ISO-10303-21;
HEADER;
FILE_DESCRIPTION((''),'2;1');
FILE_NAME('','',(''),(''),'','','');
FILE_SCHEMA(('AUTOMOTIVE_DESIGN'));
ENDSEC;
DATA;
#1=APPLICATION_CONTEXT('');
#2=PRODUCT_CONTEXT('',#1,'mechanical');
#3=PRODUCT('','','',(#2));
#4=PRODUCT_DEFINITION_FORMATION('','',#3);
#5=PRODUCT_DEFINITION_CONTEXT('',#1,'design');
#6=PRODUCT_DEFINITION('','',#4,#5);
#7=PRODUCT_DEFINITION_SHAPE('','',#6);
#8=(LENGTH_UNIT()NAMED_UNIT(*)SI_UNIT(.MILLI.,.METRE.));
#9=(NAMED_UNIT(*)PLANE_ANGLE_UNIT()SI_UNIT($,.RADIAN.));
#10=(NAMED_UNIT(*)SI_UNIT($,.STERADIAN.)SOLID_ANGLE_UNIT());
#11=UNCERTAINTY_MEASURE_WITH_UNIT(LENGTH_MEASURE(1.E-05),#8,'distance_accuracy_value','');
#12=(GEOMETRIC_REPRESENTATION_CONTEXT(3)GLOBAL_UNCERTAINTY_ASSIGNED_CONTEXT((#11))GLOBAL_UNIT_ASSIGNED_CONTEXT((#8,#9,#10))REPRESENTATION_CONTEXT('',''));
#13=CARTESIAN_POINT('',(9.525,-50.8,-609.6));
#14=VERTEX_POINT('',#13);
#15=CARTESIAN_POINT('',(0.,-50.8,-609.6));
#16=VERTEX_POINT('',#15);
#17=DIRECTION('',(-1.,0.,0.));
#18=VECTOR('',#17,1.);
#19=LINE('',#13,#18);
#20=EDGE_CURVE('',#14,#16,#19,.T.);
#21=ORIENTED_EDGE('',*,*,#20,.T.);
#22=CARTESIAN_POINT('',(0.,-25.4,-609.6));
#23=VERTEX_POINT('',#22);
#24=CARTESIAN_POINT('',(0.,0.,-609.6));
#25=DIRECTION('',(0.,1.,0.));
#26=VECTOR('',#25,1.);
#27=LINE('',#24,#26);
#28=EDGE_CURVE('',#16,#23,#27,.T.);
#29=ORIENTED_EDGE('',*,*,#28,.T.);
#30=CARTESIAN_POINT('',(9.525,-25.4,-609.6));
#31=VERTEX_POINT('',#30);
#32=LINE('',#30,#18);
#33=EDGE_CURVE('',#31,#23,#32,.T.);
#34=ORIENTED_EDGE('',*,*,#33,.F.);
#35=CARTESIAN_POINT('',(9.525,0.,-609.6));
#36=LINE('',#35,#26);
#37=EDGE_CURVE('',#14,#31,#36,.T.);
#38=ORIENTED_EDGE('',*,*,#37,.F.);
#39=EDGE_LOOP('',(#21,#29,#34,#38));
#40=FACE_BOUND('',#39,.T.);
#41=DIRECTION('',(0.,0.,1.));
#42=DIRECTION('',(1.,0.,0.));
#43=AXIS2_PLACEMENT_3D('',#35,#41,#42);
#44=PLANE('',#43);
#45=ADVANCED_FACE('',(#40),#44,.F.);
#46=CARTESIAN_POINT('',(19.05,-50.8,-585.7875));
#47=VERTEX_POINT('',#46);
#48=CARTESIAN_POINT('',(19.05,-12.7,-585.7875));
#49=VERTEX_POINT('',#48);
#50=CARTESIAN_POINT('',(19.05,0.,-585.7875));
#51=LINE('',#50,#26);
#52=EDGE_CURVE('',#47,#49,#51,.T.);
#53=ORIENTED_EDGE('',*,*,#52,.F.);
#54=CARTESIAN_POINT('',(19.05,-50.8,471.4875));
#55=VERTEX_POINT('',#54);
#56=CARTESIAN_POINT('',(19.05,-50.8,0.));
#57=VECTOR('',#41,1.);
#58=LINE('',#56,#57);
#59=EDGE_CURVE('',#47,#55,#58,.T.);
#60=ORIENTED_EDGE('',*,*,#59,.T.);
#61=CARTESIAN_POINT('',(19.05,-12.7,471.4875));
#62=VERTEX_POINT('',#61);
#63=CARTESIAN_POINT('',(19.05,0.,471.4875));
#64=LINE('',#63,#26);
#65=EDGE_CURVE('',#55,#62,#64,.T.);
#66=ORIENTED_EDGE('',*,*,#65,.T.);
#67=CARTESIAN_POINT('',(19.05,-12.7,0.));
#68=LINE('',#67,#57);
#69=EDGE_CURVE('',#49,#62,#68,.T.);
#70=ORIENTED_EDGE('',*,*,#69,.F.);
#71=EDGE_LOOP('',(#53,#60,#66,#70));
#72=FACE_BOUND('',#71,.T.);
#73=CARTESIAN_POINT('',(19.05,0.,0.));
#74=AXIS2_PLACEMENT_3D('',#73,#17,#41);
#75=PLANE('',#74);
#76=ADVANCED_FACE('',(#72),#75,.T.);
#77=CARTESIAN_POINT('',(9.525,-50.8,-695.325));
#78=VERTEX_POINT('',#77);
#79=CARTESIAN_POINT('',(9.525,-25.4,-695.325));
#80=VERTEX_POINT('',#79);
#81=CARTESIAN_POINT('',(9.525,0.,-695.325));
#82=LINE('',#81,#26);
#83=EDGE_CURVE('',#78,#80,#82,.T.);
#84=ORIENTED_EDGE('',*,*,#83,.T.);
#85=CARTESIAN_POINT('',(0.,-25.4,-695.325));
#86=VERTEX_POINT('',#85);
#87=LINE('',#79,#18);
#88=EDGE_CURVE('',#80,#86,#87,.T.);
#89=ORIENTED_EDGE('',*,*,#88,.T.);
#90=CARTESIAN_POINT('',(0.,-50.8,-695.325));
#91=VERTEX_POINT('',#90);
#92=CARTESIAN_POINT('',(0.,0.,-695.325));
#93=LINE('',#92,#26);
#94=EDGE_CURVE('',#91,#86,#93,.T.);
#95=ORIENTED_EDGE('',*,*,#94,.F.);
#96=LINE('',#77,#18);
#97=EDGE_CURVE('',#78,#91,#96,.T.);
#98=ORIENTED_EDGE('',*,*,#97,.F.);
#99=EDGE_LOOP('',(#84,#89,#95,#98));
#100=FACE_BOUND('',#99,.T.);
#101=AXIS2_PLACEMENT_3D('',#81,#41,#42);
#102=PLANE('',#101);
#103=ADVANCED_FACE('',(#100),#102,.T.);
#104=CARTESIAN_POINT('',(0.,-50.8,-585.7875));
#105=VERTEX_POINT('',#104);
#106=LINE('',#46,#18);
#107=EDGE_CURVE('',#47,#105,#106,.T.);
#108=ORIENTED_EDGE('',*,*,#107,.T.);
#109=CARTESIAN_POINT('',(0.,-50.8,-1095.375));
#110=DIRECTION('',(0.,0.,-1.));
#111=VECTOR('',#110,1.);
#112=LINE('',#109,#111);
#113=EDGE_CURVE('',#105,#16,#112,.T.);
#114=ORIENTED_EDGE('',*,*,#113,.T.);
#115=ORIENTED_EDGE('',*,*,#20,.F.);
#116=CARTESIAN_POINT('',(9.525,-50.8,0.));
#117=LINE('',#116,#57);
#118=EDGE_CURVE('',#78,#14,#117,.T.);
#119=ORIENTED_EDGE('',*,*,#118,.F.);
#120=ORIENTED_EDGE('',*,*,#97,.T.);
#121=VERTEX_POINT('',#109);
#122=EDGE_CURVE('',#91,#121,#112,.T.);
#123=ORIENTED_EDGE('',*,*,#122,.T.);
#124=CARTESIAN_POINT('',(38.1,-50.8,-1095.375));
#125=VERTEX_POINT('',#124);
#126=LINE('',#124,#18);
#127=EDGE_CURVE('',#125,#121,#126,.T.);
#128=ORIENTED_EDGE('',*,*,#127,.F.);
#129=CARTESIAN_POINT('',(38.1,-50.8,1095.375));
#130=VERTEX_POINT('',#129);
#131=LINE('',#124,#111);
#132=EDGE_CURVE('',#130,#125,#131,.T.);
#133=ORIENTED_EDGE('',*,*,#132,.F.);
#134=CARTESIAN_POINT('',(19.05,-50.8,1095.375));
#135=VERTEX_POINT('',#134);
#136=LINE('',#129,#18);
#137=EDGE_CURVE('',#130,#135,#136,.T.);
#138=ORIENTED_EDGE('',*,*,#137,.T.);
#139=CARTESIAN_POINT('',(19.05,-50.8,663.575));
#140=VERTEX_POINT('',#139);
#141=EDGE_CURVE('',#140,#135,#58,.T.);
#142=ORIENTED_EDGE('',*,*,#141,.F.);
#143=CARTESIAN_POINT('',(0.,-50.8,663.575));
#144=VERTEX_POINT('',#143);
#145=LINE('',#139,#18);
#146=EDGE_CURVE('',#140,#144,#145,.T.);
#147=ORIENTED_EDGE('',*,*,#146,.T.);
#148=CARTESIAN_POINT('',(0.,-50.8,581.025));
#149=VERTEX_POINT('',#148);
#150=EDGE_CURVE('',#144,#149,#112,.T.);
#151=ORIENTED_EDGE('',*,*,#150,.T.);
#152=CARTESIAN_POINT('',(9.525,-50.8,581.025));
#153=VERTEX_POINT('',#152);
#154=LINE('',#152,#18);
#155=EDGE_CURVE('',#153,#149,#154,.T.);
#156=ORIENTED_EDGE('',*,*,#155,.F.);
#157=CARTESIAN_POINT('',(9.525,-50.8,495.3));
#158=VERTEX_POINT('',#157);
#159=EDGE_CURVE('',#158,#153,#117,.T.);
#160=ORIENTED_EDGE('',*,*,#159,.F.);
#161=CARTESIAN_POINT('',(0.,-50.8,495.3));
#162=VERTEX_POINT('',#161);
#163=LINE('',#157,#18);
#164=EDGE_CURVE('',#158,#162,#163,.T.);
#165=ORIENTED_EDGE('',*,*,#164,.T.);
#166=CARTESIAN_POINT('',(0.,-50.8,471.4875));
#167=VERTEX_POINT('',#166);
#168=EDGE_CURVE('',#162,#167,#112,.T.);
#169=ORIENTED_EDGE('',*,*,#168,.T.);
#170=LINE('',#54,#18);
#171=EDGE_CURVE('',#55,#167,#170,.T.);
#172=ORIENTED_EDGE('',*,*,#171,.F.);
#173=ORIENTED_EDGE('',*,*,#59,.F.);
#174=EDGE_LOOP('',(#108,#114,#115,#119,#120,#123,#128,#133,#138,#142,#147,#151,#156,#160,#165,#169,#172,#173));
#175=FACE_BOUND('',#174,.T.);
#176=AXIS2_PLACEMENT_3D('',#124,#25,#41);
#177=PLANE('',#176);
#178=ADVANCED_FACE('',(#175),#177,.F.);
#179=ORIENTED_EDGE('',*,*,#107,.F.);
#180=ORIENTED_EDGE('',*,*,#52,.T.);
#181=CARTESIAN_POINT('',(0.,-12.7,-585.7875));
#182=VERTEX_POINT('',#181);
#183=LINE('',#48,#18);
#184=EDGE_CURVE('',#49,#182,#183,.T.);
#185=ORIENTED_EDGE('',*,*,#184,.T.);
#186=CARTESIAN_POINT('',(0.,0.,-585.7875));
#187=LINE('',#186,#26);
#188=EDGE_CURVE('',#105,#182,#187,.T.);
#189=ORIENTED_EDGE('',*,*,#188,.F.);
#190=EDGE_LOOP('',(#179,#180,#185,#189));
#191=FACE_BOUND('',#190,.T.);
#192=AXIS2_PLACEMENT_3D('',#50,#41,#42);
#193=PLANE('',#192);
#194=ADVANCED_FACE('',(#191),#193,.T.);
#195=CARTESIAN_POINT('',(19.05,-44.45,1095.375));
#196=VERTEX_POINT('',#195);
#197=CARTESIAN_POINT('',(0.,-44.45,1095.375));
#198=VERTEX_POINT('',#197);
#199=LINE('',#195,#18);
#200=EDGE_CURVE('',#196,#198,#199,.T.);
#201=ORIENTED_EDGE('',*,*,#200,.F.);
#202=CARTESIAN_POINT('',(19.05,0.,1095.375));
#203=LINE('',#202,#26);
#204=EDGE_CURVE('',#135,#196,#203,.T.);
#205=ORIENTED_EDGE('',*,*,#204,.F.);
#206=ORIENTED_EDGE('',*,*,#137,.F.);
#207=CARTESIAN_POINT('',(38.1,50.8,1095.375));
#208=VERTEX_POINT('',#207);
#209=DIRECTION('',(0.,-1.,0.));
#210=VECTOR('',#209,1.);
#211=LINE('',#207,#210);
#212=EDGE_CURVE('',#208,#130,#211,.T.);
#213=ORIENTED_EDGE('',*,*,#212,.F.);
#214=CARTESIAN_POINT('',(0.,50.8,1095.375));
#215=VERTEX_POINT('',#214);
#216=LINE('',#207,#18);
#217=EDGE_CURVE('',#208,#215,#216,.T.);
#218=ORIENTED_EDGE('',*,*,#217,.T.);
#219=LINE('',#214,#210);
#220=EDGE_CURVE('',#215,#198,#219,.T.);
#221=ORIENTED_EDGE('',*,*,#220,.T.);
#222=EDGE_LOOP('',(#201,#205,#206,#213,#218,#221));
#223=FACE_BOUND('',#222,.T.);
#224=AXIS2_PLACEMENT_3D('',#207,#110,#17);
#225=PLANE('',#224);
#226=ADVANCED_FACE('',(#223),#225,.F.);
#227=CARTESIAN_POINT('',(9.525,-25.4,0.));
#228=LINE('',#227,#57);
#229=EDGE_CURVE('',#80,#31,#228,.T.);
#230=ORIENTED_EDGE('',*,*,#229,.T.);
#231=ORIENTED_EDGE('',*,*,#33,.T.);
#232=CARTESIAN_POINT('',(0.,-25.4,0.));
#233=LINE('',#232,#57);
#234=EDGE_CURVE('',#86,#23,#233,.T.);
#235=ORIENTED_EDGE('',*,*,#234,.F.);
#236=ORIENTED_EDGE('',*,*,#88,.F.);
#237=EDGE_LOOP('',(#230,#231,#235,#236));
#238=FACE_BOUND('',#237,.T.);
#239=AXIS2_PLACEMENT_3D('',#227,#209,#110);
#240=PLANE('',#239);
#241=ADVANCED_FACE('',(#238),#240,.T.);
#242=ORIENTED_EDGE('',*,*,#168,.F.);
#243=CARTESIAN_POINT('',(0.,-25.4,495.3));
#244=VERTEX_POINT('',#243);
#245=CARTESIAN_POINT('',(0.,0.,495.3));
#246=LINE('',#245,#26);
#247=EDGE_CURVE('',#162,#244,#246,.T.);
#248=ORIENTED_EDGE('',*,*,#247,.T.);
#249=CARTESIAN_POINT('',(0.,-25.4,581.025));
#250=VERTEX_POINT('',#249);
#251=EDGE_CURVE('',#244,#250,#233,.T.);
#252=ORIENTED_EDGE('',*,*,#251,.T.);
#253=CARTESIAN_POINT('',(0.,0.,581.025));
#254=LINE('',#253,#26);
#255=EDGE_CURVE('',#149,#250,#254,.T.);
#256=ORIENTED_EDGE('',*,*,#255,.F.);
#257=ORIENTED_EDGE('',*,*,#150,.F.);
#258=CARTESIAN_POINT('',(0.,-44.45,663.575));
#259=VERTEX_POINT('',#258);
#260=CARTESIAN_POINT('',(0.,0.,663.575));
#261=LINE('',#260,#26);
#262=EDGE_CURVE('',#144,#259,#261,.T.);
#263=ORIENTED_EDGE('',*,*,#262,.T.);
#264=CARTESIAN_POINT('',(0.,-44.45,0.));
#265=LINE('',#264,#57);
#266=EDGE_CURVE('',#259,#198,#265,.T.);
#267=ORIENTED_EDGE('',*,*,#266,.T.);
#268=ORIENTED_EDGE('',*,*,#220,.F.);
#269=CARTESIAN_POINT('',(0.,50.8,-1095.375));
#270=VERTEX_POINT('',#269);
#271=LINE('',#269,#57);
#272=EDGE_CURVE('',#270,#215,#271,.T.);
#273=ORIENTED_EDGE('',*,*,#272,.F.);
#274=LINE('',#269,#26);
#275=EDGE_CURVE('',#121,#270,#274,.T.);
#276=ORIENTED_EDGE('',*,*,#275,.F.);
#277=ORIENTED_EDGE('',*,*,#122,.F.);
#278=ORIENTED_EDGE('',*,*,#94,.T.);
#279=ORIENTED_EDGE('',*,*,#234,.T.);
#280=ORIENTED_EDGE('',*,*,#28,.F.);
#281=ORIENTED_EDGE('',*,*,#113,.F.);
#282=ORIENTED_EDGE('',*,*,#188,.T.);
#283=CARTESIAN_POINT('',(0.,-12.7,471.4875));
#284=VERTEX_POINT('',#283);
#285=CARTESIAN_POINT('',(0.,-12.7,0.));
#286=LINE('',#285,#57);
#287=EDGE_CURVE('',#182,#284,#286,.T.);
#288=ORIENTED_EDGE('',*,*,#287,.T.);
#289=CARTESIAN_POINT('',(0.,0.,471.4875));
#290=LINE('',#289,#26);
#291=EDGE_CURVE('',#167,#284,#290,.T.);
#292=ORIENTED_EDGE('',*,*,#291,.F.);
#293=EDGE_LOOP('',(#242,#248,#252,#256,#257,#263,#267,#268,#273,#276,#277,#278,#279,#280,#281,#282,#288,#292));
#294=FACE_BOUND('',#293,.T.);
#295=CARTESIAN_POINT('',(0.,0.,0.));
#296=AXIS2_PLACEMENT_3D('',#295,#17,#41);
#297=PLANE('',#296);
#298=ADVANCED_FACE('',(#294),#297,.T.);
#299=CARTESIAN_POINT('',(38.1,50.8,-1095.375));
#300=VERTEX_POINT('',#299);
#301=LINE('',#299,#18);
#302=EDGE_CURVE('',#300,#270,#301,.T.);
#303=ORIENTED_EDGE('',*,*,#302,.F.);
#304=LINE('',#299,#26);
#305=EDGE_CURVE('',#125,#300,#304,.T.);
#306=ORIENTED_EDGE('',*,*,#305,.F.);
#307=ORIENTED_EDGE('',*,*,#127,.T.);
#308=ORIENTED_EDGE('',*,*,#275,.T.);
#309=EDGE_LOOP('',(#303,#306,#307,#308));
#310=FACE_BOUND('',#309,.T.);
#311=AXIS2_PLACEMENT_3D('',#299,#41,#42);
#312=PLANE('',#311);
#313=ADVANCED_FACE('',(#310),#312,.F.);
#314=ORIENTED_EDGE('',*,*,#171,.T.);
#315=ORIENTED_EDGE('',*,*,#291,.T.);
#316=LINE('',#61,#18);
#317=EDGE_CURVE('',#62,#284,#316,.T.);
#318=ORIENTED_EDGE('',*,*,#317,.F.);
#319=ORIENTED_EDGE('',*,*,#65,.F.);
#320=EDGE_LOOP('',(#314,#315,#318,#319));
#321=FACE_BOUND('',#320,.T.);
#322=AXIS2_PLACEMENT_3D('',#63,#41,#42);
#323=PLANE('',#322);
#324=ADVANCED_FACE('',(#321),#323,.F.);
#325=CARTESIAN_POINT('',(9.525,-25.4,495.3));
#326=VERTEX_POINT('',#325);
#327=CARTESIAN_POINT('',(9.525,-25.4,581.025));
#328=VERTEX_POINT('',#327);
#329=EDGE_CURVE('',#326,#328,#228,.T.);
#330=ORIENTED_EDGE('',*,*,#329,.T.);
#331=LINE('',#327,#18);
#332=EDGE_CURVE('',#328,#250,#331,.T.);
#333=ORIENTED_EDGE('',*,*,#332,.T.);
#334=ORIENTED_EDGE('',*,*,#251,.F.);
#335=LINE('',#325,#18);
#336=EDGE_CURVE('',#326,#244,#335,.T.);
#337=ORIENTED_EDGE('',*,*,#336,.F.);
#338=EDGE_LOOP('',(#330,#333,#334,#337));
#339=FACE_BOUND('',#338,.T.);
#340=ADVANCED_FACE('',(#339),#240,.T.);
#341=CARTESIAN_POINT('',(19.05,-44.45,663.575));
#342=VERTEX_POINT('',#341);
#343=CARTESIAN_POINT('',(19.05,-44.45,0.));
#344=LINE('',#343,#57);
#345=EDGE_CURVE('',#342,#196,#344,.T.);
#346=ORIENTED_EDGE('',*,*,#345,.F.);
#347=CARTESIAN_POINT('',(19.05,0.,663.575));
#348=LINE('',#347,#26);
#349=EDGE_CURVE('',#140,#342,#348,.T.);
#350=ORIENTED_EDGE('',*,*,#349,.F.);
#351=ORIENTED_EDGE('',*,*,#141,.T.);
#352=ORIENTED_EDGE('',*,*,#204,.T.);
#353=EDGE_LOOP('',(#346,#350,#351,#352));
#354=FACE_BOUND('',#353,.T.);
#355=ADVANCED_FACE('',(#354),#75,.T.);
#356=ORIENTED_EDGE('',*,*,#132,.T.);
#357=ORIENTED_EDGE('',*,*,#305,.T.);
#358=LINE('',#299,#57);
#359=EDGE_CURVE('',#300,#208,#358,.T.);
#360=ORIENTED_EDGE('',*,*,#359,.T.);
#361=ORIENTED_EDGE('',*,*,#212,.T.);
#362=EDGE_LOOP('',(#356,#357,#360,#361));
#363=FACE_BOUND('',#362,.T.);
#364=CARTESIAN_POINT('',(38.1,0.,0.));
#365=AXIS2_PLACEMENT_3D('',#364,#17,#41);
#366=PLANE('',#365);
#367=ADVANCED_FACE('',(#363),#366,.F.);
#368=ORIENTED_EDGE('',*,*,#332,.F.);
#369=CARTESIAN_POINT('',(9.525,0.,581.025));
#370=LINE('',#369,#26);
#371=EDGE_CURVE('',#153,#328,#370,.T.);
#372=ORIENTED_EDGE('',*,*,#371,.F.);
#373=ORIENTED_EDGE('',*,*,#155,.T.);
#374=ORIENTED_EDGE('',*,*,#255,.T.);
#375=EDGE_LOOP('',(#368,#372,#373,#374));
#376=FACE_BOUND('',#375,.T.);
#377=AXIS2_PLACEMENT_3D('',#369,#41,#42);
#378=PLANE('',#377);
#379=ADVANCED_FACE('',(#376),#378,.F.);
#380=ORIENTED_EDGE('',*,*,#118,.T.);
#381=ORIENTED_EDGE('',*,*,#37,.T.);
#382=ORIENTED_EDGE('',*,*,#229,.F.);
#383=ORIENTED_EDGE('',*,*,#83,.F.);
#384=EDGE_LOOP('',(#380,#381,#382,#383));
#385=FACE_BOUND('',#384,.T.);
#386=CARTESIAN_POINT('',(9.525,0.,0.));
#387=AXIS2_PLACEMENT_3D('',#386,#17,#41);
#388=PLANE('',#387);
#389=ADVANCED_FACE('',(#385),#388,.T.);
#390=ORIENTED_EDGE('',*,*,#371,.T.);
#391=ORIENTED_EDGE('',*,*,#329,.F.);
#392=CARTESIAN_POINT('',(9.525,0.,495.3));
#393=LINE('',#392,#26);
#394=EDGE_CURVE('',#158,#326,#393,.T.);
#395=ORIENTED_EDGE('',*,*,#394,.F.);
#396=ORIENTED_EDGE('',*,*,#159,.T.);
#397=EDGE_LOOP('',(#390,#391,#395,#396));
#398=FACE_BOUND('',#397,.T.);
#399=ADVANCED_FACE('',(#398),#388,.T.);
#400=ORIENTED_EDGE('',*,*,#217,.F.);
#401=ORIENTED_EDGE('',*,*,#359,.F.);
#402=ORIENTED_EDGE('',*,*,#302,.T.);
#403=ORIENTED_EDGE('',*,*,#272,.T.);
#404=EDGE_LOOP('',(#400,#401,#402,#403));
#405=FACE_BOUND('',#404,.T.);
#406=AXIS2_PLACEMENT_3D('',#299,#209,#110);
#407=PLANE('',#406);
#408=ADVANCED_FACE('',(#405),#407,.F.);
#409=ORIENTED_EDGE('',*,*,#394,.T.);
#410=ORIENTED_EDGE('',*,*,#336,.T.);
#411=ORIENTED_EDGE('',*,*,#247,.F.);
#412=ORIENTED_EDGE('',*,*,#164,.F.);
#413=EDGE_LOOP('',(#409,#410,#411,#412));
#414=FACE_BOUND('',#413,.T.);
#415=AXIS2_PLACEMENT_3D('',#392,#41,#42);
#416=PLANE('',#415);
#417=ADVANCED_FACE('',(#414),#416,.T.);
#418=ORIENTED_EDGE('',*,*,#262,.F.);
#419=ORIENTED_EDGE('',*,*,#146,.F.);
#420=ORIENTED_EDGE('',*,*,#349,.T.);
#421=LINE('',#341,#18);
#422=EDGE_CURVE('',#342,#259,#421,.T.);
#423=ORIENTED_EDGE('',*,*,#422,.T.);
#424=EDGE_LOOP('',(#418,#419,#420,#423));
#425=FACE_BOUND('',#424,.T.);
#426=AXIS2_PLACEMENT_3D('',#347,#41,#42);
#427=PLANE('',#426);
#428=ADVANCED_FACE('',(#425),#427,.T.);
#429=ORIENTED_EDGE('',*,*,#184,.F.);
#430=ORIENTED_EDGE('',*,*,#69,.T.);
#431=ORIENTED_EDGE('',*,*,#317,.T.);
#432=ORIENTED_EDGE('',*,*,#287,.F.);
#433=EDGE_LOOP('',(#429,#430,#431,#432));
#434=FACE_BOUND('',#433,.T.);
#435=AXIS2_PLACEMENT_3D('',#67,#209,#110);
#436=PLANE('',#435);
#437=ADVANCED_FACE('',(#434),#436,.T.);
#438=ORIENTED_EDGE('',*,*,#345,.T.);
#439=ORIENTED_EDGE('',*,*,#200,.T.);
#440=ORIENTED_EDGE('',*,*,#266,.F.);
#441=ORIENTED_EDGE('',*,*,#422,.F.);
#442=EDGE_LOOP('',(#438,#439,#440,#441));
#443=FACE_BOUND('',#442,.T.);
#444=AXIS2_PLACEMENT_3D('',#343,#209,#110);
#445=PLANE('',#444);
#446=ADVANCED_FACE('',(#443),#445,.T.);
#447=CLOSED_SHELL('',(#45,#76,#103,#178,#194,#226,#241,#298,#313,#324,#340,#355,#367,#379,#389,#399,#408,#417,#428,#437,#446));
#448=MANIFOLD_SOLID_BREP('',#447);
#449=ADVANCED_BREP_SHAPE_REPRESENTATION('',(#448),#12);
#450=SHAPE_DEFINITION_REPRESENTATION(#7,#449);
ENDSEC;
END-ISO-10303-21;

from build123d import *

# Parameters (mm, degrees)
SKETCH1_W           = 2190.75
SKETCH1_H           = 101.6
BOSS_EXTRUDE1_DEPTH = 38.1
SKETCH3_W           = 431.8
SKETCH3_H           = 6.35
SKETCH3_W_2         = 1057.275
SKETCH3_H_2         = 38.1
CUT_EXTRUDE1_DEPTH  = 19.05
SKETCH3_3_W         = 85.725
SKETCH3_3_H         = 25.4
CUT_EXTRUDE2_DEPTH  = 9.525


with BuildPart() as part:
    # Sketch1 → Boss-Extrude1 (new body)
    with BuildSketch(Plane(origin=(0, 0, 0), x_dir=(0, 0, -1), z_dir=(1, 0, 0))):
        Rectangle(SKETCH1_W, SKETCH1_H)
    extrude(amount=BOSS_EXTRUDE1_DEPTH)

    # Sketch3 → Cut-Extrude1 (cut)
    with BuildSketch(Plane.ZY):
        with Locations((879.475, -47.625)):
            Rectangle(SKETCH3_W, SKETCH3_H)
        with Locations((-57.15, -31.75)):
            Rectangle(SKETCH3_W_2, SKETCH3_H_2)
    extrude(amount=-CUT_EXTRUDE1_DEPTH, mode=Mode.SUBTRACT)

    # Sketch3<3> → Cut-Extrude2 (cut)
    with BuildSketch(Plane.ZY):
        with Locations((-652.4625, -38.1)):
            Rectangle(SKETCH3_3_W, SKETCH3_3_H)
        with Locations((538.1625, -38.1)):
            Rectangle(SKETCH3_3_W, SKETCH3_3_H)
    extrude(amount=-CUT_EXTRUDE2_DEPTH, mode=Mode.SUBTRACT)


solid = part.part
